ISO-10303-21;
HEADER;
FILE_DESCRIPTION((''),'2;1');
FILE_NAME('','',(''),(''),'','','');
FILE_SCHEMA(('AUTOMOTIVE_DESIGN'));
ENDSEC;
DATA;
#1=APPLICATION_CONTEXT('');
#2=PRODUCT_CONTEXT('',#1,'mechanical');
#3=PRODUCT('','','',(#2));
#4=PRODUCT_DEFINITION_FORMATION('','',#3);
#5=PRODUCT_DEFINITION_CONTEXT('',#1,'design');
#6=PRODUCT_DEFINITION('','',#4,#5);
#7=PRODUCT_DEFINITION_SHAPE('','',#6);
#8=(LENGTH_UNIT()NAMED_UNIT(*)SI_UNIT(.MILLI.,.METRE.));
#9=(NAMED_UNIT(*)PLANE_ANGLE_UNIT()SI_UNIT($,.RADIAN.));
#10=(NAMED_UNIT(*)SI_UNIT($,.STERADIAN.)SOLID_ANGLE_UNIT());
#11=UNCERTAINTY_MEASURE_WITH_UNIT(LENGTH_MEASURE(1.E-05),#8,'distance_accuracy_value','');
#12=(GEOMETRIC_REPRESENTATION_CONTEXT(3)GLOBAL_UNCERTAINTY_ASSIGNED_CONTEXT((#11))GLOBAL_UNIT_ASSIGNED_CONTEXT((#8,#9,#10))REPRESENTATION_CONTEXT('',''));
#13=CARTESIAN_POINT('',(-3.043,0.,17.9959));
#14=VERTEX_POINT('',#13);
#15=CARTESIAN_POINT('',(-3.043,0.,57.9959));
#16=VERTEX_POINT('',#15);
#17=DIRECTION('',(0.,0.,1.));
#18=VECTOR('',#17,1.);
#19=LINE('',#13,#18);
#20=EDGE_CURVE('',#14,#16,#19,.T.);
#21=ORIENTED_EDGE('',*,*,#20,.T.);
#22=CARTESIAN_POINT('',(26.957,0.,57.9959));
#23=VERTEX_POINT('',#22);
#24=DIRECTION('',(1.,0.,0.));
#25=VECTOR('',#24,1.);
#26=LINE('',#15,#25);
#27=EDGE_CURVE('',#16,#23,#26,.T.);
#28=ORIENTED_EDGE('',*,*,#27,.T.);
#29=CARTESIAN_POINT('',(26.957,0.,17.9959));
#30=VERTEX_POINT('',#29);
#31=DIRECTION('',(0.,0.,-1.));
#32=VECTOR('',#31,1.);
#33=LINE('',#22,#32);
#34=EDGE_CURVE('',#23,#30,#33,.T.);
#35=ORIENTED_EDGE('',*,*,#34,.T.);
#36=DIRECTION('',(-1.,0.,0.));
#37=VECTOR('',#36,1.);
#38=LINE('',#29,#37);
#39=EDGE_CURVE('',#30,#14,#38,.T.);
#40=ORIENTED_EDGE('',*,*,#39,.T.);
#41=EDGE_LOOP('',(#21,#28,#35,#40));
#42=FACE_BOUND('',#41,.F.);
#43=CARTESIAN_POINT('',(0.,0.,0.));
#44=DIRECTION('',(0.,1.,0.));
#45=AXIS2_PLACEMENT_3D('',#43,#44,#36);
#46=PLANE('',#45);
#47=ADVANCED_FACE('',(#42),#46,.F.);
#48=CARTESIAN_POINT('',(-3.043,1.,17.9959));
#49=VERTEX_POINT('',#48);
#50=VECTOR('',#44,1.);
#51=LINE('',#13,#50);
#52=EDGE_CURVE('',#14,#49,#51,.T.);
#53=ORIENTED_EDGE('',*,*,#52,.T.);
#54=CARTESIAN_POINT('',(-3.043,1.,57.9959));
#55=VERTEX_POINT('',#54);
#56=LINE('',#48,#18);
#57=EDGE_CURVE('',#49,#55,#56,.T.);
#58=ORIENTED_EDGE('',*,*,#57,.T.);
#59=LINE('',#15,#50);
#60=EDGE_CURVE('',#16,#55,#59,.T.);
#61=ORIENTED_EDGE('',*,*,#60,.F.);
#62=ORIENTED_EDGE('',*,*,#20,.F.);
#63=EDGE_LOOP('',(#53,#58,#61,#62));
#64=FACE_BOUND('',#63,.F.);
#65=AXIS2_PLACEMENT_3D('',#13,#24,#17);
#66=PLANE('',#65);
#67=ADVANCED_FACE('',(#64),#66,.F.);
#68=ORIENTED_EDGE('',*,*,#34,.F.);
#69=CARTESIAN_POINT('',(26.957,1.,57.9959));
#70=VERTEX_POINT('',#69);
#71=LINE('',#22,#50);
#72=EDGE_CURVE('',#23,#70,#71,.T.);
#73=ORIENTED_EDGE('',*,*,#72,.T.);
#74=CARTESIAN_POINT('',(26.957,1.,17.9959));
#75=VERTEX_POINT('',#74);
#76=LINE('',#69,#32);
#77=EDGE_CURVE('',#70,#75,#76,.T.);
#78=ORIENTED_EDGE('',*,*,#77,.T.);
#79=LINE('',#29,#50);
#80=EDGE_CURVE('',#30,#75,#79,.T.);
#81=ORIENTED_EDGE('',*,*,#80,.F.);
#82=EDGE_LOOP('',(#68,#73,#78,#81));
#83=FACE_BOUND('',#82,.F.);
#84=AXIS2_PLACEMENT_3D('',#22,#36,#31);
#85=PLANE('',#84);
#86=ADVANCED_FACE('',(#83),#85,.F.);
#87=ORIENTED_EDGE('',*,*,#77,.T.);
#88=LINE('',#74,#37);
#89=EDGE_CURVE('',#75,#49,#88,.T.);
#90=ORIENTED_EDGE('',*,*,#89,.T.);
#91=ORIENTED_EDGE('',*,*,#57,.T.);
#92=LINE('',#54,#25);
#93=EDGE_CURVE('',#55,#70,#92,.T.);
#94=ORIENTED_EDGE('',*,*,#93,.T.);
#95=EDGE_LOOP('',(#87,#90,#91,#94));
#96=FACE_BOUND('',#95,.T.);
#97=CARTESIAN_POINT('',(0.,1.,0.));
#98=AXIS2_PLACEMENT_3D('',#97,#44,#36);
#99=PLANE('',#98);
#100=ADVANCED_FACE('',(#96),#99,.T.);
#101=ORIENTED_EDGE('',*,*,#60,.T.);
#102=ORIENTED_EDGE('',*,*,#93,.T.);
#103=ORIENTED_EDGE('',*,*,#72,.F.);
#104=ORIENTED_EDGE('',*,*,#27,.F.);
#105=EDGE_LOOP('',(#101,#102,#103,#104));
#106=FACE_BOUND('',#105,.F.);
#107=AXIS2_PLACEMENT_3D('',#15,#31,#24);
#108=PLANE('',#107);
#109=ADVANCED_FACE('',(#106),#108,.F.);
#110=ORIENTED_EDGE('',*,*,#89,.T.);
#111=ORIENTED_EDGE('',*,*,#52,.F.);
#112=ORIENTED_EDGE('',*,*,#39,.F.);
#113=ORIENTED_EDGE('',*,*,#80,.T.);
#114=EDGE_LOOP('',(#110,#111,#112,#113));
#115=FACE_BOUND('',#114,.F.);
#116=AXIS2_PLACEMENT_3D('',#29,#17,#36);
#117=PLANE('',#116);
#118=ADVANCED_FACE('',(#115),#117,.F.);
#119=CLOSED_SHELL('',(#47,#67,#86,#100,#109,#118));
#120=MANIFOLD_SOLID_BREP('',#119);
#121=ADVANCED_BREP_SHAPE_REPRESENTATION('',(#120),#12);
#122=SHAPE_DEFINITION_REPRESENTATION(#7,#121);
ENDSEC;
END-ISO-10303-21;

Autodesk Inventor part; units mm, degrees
ref_plane "YZ Plane" through (0, 0, 0) normal (1, 0, 0) x (0, 1, 0)
ref_plane "XZ Plane" through (0, 0, 0) normal (0, 1, 0) x (-1, 0, 0)
ref_plane "XY Plane" through (0, 0, 0) normal (0, 0, 1) x (1, 0, 0)
sketch "Sketch1" plane through (0, 0, 0) normal (0, 1, 0) x (-1, 0, 0)
  line L0 (3.043, 57.9959) -> (-26.957, 57.9959)
  line L1 (-26.957, 57.9959) -> (-26.957, 17.9959)
  line L2 (-26.957, 17.9959) -> (3.043, 17.9959)
  line L3 (3.043, 17.9959) -> (3.043, 57.9959)
  point P0 (0, 0)
  dimension "d0" = 30
  dimension "d1" = 40
extrude "Extrusion1" add sketch "Sketch1" along normal blind 1
properties part number "00_Metalsheet_1mm_30x40"
